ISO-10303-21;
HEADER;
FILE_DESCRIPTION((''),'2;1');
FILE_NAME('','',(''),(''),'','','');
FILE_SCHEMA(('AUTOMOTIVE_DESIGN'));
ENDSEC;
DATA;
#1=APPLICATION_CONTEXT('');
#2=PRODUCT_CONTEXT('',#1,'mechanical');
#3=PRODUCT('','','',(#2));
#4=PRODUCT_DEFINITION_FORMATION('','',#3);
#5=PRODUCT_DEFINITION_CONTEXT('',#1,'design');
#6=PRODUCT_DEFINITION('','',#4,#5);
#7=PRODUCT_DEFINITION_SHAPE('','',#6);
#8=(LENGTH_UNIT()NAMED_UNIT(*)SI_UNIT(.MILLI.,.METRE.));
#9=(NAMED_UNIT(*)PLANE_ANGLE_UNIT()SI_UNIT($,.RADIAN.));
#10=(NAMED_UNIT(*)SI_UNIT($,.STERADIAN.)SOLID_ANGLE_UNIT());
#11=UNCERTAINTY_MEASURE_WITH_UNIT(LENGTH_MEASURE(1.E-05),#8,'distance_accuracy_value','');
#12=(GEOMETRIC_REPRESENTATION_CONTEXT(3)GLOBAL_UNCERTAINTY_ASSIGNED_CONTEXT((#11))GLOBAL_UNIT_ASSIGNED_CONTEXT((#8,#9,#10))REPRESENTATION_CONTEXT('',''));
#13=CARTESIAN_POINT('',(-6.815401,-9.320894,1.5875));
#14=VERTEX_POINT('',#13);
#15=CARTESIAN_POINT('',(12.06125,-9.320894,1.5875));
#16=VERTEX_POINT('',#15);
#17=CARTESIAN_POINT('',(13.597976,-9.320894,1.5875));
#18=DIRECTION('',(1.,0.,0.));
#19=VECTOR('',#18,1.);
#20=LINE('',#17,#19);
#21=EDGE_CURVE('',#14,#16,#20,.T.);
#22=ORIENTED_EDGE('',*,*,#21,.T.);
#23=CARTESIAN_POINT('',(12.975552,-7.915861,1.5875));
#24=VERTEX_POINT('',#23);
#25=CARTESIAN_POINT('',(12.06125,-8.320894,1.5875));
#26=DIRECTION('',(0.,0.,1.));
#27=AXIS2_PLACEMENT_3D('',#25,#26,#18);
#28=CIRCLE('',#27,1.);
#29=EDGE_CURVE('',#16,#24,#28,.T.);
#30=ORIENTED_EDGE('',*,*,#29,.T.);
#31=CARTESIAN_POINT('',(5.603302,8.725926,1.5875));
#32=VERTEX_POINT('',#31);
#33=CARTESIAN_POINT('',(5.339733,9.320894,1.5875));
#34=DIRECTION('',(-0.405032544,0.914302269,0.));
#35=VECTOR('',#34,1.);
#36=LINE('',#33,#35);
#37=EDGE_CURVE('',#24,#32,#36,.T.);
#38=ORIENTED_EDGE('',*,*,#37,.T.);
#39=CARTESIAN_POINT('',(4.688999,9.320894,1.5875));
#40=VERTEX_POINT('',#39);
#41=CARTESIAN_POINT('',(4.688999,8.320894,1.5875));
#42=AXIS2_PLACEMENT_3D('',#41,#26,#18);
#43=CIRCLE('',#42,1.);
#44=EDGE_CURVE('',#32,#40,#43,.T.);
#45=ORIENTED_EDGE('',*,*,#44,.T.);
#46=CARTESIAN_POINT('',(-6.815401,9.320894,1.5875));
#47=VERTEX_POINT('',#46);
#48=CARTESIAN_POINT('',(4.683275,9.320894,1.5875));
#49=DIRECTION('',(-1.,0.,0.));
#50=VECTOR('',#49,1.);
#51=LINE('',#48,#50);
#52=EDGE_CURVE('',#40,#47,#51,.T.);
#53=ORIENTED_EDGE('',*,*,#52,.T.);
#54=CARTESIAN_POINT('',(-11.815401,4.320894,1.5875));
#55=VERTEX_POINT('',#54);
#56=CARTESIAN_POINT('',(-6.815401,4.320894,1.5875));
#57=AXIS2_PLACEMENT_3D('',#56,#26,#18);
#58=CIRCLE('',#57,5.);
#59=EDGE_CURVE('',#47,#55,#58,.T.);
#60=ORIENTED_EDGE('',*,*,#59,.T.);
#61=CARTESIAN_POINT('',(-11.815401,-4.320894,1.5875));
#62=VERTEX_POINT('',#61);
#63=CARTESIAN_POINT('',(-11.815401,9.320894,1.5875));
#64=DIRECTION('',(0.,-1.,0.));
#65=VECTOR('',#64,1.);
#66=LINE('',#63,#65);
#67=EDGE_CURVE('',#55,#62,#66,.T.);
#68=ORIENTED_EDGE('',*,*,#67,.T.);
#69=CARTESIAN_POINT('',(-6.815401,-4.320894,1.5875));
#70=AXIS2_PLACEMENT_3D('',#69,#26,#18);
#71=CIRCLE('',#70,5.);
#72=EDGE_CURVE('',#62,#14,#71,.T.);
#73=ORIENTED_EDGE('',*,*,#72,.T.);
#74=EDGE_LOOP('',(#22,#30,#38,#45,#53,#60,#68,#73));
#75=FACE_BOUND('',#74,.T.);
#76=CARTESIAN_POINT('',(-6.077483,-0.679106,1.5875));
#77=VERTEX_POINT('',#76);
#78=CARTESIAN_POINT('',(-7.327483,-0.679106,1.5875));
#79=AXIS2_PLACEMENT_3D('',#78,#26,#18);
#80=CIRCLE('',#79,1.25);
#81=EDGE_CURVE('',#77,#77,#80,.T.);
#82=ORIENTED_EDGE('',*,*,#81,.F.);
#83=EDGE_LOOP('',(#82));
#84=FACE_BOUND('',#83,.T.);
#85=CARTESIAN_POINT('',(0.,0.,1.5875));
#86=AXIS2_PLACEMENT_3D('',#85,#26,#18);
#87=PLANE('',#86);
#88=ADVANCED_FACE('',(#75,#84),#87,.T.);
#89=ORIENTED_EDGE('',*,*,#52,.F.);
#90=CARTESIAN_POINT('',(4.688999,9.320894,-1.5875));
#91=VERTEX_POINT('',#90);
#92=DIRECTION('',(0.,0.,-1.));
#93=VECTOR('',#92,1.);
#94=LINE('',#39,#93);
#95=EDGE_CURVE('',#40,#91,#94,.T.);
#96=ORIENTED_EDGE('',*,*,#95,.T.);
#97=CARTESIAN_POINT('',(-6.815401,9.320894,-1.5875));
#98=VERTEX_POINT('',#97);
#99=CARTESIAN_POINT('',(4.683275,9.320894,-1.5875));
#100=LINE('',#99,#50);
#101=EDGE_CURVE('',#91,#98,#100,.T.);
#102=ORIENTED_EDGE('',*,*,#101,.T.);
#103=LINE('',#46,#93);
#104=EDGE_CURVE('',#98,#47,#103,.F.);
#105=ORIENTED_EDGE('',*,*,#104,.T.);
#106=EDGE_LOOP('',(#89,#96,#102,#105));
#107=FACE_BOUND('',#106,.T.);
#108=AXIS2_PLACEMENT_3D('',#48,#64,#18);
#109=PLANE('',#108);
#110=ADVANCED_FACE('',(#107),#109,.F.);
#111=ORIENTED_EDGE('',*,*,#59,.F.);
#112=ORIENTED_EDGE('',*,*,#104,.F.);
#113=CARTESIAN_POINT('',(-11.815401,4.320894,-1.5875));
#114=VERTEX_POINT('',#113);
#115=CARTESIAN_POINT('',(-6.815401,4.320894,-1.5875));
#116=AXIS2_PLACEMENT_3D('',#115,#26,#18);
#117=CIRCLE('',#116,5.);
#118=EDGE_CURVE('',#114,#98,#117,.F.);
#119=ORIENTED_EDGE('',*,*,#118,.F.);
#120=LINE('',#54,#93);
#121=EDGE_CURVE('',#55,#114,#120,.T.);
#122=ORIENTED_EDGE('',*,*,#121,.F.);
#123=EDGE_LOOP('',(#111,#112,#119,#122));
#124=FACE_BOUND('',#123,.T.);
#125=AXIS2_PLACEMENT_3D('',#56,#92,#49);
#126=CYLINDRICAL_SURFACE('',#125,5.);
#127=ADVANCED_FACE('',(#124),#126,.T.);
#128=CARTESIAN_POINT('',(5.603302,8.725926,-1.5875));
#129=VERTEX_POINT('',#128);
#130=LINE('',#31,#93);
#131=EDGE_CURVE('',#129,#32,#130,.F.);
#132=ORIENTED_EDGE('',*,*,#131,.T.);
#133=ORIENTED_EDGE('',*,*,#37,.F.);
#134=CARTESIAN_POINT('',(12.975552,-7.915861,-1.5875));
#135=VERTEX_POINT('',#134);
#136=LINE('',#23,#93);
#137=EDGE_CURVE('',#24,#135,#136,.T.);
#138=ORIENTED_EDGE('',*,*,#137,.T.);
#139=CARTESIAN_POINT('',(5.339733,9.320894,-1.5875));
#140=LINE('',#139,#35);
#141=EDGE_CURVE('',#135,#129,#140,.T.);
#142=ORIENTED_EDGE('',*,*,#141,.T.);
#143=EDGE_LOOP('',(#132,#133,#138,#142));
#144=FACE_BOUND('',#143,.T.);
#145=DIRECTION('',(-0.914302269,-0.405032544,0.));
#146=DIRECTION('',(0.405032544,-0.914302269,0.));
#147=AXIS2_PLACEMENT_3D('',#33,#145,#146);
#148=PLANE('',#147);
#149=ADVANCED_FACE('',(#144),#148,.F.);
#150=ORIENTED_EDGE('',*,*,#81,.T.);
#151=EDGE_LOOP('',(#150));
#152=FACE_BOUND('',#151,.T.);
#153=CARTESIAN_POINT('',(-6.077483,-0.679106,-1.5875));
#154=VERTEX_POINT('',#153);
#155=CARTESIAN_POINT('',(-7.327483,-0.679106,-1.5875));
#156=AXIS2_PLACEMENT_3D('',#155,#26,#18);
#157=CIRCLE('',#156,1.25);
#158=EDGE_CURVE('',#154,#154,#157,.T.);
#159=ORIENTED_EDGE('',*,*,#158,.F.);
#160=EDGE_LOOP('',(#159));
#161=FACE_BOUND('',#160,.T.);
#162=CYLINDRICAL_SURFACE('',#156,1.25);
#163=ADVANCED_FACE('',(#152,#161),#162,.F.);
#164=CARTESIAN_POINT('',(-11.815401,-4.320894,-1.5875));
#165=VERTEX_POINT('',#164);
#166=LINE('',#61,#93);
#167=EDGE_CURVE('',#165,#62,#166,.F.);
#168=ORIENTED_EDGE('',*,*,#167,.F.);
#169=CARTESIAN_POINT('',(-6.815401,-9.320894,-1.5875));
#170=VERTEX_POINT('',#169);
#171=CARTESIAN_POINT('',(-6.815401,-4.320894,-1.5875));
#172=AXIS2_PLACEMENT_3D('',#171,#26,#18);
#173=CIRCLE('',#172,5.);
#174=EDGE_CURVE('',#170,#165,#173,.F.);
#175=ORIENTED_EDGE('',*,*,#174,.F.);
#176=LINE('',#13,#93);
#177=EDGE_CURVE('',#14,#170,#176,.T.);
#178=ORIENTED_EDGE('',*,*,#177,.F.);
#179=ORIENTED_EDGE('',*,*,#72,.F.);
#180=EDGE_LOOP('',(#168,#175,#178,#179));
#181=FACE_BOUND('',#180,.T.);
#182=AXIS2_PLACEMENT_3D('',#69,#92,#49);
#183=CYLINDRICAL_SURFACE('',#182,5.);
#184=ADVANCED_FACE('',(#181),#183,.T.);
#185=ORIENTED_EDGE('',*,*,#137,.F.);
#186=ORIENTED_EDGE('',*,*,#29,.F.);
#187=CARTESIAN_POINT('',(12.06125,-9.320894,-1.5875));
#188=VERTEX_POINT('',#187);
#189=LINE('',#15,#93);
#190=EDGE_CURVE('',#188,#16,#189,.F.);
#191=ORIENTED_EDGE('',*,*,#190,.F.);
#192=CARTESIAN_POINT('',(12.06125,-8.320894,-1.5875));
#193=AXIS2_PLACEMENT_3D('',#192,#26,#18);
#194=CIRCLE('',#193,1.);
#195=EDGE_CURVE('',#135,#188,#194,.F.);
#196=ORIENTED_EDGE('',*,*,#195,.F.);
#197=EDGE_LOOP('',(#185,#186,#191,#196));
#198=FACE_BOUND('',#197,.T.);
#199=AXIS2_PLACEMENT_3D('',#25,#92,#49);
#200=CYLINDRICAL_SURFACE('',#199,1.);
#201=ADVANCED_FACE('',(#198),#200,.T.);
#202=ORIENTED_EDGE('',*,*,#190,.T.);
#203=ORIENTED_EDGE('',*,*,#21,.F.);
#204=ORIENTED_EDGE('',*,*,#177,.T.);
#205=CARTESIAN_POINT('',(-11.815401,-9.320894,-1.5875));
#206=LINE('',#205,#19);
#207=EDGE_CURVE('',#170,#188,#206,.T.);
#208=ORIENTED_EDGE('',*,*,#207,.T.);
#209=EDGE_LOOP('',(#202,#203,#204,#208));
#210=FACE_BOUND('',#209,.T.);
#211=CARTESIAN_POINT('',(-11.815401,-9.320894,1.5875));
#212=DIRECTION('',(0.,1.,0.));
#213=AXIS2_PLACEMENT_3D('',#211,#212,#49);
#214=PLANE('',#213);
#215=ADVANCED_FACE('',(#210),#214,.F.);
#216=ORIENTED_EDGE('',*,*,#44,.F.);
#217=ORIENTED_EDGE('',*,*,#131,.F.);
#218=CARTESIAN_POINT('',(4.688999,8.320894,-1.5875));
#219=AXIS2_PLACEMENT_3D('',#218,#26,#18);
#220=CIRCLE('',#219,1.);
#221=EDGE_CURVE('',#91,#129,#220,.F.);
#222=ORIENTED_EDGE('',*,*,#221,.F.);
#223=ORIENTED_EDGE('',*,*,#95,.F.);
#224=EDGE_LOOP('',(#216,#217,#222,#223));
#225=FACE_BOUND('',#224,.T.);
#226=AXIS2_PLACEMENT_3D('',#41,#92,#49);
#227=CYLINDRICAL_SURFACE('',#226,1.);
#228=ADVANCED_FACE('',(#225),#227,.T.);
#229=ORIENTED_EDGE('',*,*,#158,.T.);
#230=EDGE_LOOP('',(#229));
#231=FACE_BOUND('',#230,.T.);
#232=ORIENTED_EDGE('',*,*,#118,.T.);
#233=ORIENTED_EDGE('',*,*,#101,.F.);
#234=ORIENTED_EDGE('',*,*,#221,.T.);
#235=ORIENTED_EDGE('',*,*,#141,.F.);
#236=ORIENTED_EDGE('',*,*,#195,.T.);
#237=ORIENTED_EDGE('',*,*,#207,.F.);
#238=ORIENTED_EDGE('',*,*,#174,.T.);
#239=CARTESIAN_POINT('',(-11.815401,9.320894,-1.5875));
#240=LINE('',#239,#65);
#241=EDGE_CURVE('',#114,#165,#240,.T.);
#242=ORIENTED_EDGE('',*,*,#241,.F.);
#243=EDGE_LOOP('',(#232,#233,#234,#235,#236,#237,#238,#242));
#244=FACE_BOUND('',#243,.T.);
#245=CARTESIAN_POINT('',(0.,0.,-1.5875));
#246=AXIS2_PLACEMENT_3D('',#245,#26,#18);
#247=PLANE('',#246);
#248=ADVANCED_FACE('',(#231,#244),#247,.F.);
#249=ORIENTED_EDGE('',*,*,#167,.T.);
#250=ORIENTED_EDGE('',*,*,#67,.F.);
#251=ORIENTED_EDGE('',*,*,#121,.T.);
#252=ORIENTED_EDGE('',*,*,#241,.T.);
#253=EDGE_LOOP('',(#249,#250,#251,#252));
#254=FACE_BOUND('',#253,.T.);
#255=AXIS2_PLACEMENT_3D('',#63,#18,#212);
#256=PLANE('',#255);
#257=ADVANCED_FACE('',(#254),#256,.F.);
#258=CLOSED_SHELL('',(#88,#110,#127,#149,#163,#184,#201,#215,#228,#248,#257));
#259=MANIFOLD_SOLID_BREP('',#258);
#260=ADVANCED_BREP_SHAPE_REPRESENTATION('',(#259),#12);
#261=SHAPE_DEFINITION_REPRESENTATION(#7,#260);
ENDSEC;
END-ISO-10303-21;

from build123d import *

# Parameters (mm, degrees)
BOSS_EXTRUDE1_DEPTH = 1.5875
FILLET1_R           = 1
FILLET2_R           = 5
SKETCH2_R           = 1.25
CUT_EXTRUDE1_DEPTH  = 17.357137005


with BuildPart() as part:
    # Sketch1 → Boss-Extrude1 (new, symmetric)
    with BuildSketch(Plane.XY):
        Polygon((-11.81540086, 9.32089354), (-11.81540086, -9.32089354), (12.941517766, -9.32089354), (13.597976447, -9.32089354), (5.339733299, 9.32089354), (4.683274618, 9.32089354), align=None)
    extrude(amount=BOSS_EXTRUDE1_DEPTH, both=True)

    # Fillet1
    fillet1_edges = [part.edges().sort_by_distance(p)[0] for p in [
        (5.339733299, 9.32089354, 0),
        (13.597976447, -9.32089354, 0),
    ]]
    fillet(fillet1_edges, radius=FILLET1_R)

    # Fillet2
    fillet2_edges = [part.edges().sort_by_distance(p)[0] for p in [
        (-11.81540086, -9.32089354, 0),
        (-11.81540086, 9.32089354, 0),
    ]]
    fillet(fillet2_edges, radius=FILLET2_R)

    # Sketch2 → Cut-Extrude1 (cut, through all)
    with BuildSketch(Plane.XY.offset(1.5875)):
        with Locations((-7.3274835, -0.67910646)):
            Circle(SKETCH2_R)
    extrude(amount=-CUT_EXTRUDE1_DEPTH, mode=Mode.SUBTRACT)


solid = part.part
